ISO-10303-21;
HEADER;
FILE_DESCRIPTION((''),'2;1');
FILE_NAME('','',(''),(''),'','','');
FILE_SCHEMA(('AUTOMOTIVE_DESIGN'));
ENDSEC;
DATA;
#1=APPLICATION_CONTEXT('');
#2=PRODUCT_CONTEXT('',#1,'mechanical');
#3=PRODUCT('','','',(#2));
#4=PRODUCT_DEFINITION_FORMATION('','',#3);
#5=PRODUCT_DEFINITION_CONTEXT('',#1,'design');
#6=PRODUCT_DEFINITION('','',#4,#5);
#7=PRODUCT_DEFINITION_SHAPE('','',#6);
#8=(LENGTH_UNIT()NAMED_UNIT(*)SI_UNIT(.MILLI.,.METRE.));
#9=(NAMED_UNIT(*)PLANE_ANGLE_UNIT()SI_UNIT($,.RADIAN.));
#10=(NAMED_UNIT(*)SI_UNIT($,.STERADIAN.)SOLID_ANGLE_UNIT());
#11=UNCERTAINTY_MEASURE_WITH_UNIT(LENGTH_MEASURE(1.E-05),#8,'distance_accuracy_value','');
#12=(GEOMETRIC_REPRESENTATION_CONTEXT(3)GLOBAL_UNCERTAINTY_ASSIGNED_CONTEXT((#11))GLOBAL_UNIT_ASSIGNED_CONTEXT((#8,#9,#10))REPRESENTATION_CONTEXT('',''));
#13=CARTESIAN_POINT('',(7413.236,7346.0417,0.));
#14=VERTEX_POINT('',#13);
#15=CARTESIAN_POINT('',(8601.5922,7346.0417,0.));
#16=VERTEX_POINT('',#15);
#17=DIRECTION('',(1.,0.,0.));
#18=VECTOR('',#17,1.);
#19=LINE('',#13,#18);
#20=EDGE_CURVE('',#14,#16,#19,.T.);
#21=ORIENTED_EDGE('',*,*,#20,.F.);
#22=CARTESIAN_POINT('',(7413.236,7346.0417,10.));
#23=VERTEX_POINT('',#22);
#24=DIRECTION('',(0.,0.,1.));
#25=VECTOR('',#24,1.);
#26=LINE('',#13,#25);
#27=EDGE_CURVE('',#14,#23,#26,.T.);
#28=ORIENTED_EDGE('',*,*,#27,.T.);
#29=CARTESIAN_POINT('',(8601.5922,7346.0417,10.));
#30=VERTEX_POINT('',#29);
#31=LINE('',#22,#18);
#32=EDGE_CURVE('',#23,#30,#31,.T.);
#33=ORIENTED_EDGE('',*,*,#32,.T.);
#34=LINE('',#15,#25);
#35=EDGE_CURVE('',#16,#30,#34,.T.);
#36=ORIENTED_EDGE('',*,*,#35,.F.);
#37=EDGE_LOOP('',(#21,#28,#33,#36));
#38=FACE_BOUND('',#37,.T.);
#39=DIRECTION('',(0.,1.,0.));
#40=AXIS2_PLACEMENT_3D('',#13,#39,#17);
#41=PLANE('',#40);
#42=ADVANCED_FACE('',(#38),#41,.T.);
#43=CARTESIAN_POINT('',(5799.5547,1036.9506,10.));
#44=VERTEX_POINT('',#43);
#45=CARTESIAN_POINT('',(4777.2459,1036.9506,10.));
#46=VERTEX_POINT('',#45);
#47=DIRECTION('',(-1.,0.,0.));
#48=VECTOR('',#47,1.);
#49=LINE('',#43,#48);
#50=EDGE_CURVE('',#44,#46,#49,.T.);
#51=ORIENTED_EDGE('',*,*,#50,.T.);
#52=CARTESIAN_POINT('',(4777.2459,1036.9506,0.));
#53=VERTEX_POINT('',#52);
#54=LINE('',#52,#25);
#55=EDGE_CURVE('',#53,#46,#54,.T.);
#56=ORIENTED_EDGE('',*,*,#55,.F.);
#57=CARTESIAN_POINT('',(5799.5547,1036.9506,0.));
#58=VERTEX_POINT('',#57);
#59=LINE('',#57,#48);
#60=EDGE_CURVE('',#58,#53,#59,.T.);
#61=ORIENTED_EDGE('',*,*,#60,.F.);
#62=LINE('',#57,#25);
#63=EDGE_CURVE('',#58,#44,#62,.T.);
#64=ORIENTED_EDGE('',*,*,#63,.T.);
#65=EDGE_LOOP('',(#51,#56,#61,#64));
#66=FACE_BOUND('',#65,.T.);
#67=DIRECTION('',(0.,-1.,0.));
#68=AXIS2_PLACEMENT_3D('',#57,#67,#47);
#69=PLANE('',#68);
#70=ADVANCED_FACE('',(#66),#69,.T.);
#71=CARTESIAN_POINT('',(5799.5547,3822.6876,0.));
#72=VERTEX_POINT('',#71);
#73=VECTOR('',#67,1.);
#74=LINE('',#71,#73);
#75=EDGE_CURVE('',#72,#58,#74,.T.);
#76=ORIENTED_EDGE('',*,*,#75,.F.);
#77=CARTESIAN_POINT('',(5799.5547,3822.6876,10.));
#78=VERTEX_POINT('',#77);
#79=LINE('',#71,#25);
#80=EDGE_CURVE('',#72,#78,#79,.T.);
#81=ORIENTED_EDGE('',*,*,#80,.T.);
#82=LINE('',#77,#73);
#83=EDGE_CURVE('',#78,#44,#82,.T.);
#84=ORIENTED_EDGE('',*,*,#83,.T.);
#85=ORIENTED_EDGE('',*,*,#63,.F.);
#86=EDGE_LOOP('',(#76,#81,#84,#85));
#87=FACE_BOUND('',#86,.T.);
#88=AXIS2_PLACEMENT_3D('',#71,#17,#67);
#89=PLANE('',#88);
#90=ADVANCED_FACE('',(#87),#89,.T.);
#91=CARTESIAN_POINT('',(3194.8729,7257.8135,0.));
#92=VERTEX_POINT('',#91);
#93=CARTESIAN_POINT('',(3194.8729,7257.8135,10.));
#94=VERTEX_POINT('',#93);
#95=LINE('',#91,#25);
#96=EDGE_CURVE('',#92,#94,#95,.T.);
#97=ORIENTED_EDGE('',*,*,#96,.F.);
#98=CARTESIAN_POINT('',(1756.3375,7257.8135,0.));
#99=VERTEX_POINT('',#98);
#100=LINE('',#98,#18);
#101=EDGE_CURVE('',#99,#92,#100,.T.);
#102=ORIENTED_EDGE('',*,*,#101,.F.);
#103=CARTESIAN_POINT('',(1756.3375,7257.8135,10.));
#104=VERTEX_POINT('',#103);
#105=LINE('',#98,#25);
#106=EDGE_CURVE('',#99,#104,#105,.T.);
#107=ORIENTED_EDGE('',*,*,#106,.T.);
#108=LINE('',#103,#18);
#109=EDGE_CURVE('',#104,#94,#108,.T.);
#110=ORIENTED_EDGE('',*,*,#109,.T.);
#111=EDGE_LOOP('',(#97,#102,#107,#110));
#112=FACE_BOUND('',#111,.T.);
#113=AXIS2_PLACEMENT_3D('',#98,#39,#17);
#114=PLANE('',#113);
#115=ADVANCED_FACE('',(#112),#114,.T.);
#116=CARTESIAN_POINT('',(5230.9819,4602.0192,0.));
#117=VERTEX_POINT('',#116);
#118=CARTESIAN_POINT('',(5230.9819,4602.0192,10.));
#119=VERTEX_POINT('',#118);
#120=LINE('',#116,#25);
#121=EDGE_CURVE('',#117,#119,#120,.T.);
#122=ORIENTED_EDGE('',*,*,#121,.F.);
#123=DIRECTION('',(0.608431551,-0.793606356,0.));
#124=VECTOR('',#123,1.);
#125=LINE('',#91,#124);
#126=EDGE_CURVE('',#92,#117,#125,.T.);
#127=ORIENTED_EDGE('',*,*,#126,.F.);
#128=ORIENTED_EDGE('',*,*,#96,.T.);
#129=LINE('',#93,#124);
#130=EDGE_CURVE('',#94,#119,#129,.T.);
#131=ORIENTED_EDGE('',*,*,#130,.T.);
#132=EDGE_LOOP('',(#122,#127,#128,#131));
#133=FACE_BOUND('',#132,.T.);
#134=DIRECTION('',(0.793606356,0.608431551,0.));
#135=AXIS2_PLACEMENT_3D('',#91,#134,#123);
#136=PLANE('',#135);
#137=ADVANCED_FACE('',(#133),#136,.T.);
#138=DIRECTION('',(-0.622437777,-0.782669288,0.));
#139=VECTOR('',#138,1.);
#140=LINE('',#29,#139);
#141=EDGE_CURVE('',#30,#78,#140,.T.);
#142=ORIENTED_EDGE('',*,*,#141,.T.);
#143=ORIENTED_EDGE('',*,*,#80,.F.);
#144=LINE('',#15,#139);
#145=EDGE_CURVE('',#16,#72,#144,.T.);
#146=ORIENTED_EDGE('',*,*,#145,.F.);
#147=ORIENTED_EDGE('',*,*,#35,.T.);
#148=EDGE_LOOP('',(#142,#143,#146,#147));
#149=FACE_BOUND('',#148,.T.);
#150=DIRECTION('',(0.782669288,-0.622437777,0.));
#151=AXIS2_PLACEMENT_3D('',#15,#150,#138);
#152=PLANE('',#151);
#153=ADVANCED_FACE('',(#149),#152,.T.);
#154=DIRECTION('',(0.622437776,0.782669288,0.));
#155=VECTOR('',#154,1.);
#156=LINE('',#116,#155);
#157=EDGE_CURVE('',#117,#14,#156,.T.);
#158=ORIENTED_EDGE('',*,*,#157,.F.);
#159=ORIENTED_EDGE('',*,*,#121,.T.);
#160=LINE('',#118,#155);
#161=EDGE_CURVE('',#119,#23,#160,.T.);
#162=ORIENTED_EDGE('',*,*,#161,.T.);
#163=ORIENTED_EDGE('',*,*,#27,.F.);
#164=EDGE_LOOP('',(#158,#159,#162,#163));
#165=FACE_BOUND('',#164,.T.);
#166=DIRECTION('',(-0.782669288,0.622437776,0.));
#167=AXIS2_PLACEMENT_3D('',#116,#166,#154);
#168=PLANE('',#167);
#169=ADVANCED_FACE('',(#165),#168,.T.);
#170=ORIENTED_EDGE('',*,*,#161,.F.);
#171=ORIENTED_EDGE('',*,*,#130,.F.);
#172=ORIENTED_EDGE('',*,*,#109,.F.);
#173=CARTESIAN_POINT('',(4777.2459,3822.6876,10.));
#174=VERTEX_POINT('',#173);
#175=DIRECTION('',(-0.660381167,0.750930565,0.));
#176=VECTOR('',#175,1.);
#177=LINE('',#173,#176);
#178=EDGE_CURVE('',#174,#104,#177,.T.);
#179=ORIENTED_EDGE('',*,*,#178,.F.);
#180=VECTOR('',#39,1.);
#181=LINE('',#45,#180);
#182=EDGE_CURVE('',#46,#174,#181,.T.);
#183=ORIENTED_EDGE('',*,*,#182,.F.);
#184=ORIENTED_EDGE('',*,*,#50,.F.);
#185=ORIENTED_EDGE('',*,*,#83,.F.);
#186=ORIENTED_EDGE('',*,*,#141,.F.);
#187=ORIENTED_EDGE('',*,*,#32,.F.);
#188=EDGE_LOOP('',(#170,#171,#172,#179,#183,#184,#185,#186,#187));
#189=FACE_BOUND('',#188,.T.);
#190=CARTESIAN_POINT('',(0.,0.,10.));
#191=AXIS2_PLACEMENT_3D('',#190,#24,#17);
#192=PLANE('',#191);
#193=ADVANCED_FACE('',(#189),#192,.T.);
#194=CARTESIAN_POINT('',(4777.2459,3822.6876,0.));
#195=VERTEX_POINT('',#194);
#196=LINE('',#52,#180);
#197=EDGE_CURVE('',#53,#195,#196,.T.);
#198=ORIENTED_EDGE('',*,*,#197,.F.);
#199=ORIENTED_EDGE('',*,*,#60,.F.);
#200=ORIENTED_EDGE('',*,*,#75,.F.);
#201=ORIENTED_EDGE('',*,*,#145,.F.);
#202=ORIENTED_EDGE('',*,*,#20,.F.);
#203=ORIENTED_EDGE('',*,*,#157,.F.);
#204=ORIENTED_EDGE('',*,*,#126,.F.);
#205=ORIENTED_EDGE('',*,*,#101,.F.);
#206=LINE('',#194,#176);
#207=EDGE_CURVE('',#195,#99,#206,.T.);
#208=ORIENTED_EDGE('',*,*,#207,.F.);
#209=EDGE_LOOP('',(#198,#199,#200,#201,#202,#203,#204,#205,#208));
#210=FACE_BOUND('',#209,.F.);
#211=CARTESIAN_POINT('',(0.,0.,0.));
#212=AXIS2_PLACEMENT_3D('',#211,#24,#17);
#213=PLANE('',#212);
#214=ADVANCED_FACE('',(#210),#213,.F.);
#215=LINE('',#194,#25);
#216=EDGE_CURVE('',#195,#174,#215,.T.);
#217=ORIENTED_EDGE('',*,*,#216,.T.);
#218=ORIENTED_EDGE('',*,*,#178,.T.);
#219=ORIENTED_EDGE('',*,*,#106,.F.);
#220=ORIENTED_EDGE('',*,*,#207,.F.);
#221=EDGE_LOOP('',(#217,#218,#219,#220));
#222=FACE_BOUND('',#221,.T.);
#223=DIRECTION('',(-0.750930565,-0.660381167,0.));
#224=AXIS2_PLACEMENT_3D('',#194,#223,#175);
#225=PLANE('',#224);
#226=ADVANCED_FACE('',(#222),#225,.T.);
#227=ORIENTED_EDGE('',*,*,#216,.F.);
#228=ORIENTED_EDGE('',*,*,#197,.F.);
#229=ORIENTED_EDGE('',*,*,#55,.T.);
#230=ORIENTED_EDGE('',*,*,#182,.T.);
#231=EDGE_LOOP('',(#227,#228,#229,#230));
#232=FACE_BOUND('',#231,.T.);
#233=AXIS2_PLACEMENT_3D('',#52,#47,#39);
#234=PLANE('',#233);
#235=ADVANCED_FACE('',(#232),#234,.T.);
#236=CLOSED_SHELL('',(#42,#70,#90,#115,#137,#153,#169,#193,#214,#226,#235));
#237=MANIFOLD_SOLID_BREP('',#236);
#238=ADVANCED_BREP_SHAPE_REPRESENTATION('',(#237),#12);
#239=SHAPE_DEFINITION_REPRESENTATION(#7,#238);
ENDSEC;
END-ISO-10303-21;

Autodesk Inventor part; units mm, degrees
ref_plane "YZ Plane" through (0, 0, 0) normal (1, 0, 0) x (0, 1, 0)
ref_plane "XZ Plane" through (0, 0, 0) normal (0, 1, 0) x (-1, 0, 0)
ref_plane "XY Plane" through (0, 0, 0) normal (0, 0, 1) x (1, 0, 0)
sketch "Sketch1" plane through (0, 0, 0) normal (0, 0, 1) x (1, 0, 0)
  line L0 (1756.3375, 7257.8135) -> (3194.8729, 7257.8135)
  line L1 (3194.8729, 7257.8135) -> (5230.9819, 4602.0192)
  line L2 (5230.9819, 4602.0192) -> (7413.236, 7346.0417)
  line L3 (7413.236, 7346.0417) -> (8601.5922, 7346.0417)
  line L4 (8601.5922, 7346.0417) -> (5799.5547, 3822.6876)
  line L5 (5799.5547, 3822.6876) -> (5799.5547, 1036.9506)
  line L6 (5799.5547, 1036.9506) -> (4777.2459, 1036.9506)
  line L7 (4777.2459, 1036.9506) -> (4777.2459, 3822.6876)
  line L8 (4777.2459, 3822.6876) -> (1756.3375, 7257.8135)
  point P0 (0, 0)
extrude "Extrusion1" add sketch "Sketch1" along normal blind 10
properties part number "Y"
